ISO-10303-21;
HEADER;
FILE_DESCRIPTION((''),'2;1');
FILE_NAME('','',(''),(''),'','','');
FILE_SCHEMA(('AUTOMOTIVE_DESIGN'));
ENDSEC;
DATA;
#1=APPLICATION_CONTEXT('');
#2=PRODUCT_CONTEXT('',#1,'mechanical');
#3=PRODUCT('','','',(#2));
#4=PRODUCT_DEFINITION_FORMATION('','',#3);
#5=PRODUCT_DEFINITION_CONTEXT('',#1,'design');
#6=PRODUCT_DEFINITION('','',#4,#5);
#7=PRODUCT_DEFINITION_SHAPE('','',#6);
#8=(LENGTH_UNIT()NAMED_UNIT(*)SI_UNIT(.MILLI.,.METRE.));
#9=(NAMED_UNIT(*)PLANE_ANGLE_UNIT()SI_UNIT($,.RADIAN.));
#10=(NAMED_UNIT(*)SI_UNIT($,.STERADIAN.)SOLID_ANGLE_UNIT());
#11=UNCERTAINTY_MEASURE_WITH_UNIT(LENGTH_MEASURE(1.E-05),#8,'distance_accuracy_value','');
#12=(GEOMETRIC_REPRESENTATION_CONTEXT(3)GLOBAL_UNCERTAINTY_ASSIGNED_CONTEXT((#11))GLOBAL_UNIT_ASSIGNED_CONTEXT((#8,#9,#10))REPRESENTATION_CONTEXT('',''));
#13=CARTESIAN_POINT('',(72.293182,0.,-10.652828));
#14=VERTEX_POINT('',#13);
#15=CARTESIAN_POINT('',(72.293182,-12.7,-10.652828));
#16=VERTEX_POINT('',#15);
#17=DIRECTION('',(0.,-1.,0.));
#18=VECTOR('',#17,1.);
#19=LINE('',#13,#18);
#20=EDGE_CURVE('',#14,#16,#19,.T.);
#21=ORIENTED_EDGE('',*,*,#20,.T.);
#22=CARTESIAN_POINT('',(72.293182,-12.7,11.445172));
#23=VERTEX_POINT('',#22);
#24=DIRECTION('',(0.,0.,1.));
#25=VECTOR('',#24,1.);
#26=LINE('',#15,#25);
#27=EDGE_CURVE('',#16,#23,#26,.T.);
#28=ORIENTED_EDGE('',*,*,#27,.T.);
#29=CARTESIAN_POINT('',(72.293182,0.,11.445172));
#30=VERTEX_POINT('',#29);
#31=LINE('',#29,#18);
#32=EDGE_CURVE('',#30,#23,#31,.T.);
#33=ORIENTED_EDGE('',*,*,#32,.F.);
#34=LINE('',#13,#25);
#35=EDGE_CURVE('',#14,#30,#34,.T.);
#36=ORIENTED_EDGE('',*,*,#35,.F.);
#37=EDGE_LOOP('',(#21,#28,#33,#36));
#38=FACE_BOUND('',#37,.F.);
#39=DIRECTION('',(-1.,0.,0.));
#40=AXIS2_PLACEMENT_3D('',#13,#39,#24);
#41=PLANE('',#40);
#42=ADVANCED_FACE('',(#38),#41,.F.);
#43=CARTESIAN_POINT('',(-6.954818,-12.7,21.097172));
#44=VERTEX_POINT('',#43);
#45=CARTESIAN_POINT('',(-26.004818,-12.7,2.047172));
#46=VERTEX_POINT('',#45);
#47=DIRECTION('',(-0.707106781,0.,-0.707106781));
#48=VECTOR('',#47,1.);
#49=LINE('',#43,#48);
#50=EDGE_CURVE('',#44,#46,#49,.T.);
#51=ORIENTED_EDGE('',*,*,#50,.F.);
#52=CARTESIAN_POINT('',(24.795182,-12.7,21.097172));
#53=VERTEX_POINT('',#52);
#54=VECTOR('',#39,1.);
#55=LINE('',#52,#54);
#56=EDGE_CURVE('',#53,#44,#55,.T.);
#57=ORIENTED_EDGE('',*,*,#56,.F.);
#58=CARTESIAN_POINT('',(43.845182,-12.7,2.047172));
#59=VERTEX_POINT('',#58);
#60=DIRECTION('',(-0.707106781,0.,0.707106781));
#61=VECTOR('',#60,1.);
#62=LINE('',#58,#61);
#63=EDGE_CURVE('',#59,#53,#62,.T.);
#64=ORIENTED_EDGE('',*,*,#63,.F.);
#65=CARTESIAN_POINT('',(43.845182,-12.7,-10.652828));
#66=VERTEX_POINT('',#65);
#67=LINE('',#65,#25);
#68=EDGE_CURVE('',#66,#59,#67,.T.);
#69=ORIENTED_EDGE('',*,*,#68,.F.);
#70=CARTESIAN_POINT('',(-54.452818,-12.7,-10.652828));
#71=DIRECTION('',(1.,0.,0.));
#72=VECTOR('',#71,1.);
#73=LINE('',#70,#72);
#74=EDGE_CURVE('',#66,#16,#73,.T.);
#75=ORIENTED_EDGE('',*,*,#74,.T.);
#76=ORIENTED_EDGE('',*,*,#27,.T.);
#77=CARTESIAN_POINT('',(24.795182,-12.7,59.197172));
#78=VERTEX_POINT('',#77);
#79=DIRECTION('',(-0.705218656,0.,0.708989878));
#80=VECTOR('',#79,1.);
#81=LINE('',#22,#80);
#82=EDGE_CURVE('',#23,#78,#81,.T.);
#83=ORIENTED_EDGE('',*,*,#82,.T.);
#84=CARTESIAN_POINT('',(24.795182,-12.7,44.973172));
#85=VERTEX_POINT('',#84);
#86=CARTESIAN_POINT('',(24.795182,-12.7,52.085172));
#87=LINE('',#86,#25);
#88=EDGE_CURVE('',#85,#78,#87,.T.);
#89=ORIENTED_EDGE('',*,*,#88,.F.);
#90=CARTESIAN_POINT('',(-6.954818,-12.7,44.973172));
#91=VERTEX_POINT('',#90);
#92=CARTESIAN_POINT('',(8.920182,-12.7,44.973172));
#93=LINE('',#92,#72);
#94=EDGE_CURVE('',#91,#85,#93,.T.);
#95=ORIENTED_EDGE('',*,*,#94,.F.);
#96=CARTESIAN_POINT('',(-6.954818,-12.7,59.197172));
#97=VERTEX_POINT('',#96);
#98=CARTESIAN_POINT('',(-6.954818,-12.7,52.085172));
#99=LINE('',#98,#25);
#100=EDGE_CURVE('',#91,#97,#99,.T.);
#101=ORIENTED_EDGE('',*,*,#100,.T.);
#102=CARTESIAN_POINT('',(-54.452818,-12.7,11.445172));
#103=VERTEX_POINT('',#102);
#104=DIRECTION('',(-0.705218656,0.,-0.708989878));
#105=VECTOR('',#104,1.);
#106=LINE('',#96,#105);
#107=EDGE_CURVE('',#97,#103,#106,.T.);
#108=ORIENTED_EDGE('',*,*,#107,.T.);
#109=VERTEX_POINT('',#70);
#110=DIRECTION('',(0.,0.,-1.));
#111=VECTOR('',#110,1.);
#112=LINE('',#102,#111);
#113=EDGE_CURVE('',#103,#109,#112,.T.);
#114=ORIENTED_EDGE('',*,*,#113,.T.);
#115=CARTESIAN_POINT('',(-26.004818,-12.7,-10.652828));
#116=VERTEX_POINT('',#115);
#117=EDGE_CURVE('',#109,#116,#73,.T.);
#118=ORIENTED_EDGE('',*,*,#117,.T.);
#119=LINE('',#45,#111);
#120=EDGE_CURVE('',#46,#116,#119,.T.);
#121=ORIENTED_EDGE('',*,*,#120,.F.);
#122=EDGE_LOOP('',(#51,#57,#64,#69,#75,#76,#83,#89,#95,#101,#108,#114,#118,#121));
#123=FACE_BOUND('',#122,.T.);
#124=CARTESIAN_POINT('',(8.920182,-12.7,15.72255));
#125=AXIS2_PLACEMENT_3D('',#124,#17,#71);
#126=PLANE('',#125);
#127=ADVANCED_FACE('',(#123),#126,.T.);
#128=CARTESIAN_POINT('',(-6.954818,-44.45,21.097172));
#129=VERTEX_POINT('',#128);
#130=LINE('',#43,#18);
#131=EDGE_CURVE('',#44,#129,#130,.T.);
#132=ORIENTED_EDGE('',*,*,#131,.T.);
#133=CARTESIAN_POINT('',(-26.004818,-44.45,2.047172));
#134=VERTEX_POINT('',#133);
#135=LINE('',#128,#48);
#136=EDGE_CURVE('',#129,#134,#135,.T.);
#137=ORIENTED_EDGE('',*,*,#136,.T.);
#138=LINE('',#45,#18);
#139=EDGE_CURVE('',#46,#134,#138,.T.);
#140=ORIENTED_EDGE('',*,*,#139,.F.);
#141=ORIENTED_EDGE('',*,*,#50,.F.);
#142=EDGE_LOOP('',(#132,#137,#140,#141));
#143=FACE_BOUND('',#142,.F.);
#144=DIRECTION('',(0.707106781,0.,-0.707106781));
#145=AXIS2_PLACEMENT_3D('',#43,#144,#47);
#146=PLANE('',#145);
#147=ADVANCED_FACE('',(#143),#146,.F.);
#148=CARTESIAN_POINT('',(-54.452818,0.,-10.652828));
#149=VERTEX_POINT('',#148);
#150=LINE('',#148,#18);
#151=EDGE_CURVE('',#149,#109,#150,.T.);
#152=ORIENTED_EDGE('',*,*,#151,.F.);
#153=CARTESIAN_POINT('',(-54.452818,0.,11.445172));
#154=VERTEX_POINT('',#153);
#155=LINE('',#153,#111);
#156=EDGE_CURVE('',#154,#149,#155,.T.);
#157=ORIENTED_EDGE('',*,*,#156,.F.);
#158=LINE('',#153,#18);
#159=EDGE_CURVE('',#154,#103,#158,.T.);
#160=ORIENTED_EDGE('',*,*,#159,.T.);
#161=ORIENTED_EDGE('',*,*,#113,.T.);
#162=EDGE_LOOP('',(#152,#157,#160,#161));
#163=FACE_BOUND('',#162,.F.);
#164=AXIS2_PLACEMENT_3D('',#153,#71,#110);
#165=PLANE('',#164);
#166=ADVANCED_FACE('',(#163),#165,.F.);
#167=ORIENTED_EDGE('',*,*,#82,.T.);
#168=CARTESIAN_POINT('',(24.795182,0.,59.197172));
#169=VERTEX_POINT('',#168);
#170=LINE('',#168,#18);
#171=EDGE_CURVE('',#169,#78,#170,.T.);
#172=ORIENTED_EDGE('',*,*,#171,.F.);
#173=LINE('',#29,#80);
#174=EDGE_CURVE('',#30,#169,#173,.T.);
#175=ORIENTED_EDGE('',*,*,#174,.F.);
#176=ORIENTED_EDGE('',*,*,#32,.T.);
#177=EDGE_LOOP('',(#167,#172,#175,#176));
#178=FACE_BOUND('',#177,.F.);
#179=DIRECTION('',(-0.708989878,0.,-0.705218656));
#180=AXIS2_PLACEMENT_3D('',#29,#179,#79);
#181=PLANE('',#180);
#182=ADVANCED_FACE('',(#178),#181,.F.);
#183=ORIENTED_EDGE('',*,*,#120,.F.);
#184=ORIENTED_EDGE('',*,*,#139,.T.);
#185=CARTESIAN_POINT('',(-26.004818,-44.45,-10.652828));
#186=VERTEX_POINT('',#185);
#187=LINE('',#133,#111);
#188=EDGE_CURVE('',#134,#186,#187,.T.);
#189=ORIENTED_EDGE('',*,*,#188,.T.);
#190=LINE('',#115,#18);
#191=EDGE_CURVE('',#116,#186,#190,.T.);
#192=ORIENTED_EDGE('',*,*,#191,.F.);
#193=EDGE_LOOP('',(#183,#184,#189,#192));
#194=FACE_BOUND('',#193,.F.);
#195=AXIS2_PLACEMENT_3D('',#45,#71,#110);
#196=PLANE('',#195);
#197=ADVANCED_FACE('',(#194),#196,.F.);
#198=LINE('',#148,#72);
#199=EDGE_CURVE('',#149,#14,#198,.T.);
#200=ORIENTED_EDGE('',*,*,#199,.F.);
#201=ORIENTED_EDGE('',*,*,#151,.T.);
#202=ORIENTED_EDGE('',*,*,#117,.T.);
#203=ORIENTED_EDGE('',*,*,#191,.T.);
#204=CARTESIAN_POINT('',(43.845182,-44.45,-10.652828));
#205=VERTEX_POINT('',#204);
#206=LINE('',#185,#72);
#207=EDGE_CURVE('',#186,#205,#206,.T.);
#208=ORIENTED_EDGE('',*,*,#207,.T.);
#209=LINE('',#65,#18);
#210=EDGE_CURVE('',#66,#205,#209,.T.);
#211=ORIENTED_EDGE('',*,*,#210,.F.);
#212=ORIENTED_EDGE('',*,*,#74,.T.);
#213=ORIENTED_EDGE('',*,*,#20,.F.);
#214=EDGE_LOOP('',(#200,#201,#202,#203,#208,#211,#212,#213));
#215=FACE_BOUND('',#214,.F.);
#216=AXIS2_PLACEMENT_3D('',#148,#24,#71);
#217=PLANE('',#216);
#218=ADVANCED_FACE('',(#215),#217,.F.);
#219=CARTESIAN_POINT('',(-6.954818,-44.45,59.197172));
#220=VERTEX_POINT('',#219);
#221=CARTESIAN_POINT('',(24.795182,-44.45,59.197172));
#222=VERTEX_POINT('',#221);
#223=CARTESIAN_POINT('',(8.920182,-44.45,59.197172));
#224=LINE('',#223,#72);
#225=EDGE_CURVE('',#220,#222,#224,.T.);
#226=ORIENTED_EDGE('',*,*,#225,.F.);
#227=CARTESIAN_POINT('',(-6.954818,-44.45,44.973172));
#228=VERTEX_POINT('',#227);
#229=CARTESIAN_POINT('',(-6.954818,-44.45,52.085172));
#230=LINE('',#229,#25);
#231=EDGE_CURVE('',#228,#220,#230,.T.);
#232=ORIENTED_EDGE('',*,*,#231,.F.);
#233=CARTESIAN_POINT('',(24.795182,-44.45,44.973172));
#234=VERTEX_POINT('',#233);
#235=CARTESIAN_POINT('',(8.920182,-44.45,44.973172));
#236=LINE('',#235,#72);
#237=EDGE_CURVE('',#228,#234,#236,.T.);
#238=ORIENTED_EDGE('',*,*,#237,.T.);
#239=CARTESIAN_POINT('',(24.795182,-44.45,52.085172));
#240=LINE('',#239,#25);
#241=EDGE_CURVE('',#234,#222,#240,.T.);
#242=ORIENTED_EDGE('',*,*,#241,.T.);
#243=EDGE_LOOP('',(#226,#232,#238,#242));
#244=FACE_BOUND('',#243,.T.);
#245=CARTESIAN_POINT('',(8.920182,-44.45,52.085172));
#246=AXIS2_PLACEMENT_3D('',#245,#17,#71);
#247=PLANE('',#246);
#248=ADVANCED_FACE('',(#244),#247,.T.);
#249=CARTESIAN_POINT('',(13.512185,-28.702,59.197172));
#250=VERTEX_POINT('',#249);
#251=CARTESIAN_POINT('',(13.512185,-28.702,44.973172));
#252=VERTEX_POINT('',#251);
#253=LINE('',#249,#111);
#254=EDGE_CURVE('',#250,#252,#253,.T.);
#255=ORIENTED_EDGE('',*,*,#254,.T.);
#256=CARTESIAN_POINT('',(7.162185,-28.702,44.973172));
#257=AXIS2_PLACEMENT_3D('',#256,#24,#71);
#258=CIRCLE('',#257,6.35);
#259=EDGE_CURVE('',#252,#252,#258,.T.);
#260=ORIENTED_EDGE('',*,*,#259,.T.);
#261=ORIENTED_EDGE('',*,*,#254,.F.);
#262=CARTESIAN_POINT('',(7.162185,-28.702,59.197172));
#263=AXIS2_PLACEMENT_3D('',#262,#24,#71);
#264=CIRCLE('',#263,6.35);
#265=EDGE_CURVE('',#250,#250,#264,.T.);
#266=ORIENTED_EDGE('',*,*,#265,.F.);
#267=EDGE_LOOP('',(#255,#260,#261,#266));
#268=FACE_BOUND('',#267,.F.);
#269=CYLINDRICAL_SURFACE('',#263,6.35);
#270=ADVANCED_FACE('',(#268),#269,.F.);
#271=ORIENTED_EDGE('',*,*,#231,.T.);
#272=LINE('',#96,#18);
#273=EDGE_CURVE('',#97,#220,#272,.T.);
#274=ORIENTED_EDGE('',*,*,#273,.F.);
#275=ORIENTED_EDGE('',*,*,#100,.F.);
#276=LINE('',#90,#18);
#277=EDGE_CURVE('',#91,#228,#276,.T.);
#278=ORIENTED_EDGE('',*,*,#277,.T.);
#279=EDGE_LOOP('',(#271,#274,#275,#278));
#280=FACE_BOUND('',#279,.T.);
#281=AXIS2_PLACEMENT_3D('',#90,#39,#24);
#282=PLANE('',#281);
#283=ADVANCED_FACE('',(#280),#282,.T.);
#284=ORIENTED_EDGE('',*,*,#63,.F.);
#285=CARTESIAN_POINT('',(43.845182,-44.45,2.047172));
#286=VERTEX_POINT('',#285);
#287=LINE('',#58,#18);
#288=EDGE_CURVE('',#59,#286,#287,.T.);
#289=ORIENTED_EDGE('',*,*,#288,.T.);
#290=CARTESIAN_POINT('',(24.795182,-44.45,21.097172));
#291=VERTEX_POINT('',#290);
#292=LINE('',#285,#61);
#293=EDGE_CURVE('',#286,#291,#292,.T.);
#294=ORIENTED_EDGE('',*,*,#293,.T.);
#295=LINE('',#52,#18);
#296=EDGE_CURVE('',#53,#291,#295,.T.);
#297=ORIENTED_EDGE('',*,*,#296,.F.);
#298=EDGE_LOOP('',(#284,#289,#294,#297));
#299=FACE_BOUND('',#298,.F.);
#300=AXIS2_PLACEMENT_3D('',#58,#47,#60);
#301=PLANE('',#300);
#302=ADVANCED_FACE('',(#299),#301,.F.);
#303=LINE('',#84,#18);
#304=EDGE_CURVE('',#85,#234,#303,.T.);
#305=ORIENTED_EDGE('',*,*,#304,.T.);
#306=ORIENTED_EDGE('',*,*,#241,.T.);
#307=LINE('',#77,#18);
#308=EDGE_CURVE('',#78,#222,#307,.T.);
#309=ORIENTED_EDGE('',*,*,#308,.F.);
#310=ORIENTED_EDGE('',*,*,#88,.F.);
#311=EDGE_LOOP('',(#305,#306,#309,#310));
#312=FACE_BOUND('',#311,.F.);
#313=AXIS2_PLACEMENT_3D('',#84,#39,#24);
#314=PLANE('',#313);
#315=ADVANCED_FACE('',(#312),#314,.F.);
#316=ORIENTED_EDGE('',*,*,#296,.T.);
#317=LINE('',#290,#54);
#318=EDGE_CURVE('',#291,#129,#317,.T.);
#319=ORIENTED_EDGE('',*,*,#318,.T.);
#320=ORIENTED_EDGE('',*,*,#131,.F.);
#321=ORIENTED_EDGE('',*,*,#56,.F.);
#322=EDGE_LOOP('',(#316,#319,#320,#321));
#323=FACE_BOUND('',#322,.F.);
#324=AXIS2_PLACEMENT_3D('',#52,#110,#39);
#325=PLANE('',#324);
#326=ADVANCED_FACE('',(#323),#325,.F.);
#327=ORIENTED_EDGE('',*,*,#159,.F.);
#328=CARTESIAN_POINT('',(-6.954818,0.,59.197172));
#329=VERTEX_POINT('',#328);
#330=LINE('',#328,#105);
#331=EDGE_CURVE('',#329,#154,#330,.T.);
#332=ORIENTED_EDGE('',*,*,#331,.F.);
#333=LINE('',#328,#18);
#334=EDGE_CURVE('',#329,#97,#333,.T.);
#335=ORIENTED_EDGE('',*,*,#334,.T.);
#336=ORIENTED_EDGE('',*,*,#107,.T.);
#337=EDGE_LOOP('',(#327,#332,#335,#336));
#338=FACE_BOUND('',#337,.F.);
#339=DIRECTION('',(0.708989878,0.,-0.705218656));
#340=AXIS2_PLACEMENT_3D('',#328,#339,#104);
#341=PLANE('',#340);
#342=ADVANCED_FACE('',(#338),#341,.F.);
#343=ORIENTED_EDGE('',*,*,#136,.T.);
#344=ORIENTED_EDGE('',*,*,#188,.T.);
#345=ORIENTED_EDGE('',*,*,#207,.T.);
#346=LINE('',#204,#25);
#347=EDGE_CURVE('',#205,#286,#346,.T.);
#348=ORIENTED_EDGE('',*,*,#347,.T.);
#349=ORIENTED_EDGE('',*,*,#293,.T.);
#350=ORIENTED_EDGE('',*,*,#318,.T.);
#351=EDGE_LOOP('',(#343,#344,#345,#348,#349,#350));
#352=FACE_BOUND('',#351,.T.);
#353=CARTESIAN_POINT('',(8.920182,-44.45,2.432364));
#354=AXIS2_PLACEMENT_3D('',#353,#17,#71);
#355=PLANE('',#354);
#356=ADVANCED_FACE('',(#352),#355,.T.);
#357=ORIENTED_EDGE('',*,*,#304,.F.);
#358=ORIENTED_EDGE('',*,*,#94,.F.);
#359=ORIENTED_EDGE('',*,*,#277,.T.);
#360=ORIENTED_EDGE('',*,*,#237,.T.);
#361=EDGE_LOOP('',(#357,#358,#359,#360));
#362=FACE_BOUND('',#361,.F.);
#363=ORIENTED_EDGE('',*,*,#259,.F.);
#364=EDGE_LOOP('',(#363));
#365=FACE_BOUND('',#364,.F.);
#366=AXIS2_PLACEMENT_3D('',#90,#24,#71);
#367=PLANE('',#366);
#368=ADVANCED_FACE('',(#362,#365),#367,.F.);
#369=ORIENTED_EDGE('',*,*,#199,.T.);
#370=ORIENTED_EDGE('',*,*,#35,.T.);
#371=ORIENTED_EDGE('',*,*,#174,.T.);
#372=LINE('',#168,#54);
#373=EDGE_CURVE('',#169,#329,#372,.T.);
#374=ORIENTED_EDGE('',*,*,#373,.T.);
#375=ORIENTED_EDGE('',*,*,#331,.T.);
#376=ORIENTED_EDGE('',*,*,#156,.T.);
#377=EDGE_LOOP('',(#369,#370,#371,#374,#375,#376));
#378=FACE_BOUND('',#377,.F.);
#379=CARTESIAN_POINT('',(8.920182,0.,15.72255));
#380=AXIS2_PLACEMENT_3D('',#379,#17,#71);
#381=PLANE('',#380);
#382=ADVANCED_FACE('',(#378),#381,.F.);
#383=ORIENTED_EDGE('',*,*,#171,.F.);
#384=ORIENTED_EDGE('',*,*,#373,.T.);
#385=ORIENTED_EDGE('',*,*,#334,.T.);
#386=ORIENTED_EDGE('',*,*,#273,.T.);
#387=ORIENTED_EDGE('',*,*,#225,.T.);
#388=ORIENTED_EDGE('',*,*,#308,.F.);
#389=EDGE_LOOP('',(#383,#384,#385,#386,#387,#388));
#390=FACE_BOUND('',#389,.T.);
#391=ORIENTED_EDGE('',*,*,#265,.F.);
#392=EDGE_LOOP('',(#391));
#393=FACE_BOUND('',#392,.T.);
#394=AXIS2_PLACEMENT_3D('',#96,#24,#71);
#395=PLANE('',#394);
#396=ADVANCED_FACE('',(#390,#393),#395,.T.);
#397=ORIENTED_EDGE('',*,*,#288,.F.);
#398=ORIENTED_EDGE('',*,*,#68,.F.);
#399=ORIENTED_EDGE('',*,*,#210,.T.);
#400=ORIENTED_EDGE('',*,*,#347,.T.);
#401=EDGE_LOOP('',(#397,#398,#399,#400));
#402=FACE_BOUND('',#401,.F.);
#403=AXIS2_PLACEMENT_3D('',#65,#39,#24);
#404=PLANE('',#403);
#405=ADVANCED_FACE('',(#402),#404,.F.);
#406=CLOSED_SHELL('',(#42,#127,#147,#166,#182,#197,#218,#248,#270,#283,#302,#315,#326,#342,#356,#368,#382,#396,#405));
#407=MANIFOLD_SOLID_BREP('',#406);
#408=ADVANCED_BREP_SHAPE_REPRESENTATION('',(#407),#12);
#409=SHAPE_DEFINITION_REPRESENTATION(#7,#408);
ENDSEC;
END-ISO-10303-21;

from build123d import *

# Parameters (mm, degrees)
F1_DEPTH = 12.7
F2_W     = 31.75
F2_H     = 14.224
F3_DEPTH = 31.75
F4_R     = 6.35
F5_DEPTH = 25.4


with BuildPart() as f1:
    # F0 (on Front) → F1 (new body)
    with BuildSketch(Plane.XZ):
        Polygon((24.795182, 59.197172), (-6.954818, 59.197172), (-54.452818, 11.445172), (-54.452818, -10.652828), (72.293182, -10.652828), (72.293182, 11.445172), align=None)
    extrude(amount=F1_DEPTH)

    # F2 (on face) → F3 (join)
    with BuildSketch(Plane.XZ.offset(12.7)):
        with Locations((8.920182, 52.085172)):
            Rectangle(F2_W, F2_H)
        Polygon((-26.004818, 2.047172), (-26.004818, -10.652828), (43.845182, -10.652828), (43.845182, 2.047172), (24.795182, 21.097172), (-6.954818, 21.097172), align=None)
    extrude(amount=F3_DEPTH)

    # F4 (on face) → F5 (cut)
    with BuildSketch(Plane.XY.offset(59.197172)):
        with Locations((7.162185, -28.702)):
            Circle(F4_R)
    extrude(amount=-F5_DEPTH, mode=Mode.SUBTRACT)


solid = f1.part
